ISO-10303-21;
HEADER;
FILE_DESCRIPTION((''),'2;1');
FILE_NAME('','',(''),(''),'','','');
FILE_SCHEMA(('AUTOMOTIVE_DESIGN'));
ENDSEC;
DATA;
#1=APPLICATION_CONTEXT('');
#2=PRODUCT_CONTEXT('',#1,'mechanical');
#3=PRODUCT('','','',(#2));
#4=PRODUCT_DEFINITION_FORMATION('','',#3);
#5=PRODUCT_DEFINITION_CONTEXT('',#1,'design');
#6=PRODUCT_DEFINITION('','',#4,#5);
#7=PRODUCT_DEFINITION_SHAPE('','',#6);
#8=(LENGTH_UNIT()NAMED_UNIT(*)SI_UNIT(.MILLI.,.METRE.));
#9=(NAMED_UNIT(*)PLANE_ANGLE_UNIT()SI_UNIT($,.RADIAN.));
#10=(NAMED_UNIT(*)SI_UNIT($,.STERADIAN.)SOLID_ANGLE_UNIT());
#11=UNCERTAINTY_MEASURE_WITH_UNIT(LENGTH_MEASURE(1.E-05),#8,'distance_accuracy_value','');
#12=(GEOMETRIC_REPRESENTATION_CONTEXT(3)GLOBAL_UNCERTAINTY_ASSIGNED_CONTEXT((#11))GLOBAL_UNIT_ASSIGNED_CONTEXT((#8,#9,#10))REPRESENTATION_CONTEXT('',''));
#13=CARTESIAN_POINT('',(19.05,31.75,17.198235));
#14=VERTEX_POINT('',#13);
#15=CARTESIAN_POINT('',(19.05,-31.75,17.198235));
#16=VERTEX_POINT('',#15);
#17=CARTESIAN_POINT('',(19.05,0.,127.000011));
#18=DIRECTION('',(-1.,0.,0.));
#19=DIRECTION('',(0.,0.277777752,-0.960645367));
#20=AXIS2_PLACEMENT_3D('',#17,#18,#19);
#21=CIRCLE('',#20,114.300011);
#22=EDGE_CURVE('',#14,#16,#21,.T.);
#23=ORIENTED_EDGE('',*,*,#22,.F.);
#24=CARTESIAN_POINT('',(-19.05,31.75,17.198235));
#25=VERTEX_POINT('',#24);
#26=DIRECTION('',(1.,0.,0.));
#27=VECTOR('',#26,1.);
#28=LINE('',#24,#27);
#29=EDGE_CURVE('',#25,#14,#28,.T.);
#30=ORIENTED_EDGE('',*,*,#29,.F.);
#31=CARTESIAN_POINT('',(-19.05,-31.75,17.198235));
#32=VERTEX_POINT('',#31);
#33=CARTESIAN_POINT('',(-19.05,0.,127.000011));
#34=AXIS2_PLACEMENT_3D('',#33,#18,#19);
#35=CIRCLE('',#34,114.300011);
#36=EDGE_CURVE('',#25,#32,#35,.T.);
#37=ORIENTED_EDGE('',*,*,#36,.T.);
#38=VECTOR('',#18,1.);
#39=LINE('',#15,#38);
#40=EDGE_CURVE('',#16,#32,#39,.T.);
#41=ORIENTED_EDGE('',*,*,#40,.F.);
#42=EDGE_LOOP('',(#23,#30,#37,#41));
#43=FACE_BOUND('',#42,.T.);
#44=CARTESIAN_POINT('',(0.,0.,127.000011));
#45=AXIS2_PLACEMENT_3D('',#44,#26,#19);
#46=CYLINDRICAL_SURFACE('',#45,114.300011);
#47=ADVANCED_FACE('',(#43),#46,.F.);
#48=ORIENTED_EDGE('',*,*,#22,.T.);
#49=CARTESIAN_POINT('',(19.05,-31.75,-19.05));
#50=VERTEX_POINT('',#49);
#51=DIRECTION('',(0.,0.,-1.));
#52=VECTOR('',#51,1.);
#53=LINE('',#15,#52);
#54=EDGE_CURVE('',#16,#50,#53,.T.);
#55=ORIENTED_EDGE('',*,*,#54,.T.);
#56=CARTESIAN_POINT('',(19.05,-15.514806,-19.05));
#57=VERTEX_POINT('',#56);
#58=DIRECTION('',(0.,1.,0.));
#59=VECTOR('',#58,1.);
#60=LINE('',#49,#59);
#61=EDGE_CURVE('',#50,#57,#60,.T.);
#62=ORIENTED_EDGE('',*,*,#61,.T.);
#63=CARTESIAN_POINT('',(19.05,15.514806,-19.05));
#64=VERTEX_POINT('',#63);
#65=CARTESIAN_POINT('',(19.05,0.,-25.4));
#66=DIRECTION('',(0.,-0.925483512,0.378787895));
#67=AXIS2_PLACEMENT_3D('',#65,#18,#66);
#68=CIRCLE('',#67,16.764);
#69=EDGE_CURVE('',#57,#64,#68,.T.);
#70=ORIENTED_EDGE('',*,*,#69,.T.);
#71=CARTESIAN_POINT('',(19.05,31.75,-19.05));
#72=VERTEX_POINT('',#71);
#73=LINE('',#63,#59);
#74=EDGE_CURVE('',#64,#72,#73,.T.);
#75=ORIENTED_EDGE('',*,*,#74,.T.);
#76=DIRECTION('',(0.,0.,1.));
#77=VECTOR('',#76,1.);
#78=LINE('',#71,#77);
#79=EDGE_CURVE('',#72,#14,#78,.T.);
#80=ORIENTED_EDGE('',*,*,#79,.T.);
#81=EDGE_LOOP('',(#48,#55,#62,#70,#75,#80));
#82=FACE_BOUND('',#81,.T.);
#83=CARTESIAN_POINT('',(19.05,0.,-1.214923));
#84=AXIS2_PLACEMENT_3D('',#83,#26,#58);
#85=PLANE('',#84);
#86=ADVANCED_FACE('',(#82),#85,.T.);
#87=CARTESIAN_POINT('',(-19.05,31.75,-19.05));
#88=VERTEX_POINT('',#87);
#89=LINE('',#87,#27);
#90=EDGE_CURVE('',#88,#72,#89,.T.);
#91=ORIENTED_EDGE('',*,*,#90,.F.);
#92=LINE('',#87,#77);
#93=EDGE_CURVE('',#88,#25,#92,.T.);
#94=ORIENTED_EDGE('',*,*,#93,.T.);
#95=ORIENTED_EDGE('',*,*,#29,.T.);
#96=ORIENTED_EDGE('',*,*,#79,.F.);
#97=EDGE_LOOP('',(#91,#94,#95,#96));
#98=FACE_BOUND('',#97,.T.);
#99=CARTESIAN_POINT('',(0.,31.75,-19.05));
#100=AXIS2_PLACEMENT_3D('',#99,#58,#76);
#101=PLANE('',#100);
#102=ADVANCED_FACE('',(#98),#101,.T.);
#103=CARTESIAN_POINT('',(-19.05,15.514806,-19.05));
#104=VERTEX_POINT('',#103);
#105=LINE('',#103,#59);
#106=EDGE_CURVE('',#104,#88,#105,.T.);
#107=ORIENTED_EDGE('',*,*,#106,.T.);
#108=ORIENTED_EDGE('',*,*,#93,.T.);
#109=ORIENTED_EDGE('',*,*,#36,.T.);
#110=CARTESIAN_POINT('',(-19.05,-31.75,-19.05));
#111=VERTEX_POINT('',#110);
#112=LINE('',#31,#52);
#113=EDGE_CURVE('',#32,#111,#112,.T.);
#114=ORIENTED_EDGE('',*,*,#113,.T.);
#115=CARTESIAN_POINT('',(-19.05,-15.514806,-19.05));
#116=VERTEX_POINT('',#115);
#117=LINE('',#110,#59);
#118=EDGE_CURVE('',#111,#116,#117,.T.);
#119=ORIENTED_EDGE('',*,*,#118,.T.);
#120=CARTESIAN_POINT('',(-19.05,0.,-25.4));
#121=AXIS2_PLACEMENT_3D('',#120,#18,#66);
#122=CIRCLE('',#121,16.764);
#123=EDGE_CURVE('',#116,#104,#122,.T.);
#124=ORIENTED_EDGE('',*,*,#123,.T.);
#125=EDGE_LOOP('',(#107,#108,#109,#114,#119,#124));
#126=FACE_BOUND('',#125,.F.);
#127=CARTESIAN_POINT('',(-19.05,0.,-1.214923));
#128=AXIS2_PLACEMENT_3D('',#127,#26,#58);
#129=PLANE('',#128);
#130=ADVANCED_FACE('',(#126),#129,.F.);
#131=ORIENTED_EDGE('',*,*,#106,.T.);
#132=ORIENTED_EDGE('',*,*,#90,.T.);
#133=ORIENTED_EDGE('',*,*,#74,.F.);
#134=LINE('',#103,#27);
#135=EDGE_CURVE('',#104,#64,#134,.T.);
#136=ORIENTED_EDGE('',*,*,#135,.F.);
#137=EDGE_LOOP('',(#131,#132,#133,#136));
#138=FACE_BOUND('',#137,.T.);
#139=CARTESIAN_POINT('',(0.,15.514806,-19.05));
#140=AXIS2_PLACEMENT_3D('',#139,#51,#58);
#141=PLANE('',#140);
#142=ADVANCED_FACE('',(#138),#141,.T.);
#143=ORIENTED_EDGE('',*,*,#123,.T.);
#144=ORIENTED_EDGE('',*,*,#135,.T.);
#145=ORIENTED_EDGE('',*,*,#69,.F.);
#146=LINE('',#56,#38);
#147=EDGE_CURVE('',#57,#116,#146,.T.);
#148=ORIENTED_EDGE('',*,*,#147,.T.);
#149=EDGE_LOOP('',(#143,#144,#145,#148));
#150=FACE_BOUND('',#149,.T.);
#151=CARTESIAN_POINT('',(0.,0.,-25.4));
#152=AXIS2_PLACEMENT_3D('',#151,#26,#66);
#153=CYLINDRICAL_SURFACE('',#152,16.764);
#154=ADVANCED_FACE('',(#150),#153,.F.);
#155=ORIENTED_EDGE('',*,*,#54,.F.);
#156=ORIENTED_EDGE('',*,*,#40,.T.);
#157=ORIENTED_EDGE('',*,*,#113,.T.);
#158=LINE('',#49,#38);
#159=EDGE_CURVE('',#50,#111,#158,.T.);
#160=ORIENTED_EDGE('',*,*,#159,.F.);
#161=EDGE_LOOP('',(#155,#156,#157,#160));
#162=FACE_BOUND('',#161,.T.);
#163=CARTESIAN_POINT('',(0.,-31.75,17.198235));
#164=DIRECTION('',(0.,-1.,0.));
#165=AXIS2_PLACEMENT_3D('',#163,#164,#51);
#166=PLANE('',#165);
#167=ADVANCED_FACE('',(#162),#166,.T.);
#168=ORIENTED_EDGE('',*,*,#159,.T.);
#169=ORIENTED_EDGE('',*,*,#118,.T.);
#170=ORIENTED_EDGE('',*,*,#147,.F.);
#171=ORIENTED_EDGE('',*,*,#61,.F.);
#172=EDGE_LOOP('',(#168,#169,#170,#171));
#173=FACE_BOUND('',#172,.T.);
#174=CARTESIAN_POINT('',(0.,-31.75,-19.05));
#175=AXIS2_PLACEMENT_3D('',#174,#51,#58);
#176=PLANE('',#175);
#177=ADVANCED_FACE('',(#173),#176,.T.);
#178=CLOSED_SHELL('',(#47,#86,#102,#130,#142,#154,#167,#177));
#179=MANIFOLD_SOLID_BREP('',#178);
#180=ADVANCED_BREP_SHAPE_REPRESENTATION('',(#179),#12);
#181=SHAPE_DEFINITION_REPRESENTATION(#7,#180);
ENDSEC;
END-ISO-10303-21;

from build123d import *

# Parameters (mm, degrees)
F1_DEPTH      = 19.05
F1_DEPTH_BACK = 19.05


with BuildPart() as f1:
    # F0 (on Right) → F1 (new body, two sides)
    with BuildSketch(Plane.YZ) as f1_sk:
        with BuildLine():
            ThreePointArc((-15.514806, -19.05), (0, -8.636), (15.514806, -19.05))
            Line((15.514806, -19.05), (31.75, -19.05))
            Line((31.75, -19.05), (31.75, 17.198235))
            ThreePointArc((31.75, 17.198235), (0, 12.7), (-31.75, 17.198235))
            Line((-31.75, 17.198235), (-31.75, -19.05))
            Line((-31.75, -19.05), (-15.514806, -19.05))
        make_face()
    extrude(amount=F1_DEPTH)
    extrude(f1_sk.sketch, amount=-F1_DEPTH_BACK)


solid = f1.part
